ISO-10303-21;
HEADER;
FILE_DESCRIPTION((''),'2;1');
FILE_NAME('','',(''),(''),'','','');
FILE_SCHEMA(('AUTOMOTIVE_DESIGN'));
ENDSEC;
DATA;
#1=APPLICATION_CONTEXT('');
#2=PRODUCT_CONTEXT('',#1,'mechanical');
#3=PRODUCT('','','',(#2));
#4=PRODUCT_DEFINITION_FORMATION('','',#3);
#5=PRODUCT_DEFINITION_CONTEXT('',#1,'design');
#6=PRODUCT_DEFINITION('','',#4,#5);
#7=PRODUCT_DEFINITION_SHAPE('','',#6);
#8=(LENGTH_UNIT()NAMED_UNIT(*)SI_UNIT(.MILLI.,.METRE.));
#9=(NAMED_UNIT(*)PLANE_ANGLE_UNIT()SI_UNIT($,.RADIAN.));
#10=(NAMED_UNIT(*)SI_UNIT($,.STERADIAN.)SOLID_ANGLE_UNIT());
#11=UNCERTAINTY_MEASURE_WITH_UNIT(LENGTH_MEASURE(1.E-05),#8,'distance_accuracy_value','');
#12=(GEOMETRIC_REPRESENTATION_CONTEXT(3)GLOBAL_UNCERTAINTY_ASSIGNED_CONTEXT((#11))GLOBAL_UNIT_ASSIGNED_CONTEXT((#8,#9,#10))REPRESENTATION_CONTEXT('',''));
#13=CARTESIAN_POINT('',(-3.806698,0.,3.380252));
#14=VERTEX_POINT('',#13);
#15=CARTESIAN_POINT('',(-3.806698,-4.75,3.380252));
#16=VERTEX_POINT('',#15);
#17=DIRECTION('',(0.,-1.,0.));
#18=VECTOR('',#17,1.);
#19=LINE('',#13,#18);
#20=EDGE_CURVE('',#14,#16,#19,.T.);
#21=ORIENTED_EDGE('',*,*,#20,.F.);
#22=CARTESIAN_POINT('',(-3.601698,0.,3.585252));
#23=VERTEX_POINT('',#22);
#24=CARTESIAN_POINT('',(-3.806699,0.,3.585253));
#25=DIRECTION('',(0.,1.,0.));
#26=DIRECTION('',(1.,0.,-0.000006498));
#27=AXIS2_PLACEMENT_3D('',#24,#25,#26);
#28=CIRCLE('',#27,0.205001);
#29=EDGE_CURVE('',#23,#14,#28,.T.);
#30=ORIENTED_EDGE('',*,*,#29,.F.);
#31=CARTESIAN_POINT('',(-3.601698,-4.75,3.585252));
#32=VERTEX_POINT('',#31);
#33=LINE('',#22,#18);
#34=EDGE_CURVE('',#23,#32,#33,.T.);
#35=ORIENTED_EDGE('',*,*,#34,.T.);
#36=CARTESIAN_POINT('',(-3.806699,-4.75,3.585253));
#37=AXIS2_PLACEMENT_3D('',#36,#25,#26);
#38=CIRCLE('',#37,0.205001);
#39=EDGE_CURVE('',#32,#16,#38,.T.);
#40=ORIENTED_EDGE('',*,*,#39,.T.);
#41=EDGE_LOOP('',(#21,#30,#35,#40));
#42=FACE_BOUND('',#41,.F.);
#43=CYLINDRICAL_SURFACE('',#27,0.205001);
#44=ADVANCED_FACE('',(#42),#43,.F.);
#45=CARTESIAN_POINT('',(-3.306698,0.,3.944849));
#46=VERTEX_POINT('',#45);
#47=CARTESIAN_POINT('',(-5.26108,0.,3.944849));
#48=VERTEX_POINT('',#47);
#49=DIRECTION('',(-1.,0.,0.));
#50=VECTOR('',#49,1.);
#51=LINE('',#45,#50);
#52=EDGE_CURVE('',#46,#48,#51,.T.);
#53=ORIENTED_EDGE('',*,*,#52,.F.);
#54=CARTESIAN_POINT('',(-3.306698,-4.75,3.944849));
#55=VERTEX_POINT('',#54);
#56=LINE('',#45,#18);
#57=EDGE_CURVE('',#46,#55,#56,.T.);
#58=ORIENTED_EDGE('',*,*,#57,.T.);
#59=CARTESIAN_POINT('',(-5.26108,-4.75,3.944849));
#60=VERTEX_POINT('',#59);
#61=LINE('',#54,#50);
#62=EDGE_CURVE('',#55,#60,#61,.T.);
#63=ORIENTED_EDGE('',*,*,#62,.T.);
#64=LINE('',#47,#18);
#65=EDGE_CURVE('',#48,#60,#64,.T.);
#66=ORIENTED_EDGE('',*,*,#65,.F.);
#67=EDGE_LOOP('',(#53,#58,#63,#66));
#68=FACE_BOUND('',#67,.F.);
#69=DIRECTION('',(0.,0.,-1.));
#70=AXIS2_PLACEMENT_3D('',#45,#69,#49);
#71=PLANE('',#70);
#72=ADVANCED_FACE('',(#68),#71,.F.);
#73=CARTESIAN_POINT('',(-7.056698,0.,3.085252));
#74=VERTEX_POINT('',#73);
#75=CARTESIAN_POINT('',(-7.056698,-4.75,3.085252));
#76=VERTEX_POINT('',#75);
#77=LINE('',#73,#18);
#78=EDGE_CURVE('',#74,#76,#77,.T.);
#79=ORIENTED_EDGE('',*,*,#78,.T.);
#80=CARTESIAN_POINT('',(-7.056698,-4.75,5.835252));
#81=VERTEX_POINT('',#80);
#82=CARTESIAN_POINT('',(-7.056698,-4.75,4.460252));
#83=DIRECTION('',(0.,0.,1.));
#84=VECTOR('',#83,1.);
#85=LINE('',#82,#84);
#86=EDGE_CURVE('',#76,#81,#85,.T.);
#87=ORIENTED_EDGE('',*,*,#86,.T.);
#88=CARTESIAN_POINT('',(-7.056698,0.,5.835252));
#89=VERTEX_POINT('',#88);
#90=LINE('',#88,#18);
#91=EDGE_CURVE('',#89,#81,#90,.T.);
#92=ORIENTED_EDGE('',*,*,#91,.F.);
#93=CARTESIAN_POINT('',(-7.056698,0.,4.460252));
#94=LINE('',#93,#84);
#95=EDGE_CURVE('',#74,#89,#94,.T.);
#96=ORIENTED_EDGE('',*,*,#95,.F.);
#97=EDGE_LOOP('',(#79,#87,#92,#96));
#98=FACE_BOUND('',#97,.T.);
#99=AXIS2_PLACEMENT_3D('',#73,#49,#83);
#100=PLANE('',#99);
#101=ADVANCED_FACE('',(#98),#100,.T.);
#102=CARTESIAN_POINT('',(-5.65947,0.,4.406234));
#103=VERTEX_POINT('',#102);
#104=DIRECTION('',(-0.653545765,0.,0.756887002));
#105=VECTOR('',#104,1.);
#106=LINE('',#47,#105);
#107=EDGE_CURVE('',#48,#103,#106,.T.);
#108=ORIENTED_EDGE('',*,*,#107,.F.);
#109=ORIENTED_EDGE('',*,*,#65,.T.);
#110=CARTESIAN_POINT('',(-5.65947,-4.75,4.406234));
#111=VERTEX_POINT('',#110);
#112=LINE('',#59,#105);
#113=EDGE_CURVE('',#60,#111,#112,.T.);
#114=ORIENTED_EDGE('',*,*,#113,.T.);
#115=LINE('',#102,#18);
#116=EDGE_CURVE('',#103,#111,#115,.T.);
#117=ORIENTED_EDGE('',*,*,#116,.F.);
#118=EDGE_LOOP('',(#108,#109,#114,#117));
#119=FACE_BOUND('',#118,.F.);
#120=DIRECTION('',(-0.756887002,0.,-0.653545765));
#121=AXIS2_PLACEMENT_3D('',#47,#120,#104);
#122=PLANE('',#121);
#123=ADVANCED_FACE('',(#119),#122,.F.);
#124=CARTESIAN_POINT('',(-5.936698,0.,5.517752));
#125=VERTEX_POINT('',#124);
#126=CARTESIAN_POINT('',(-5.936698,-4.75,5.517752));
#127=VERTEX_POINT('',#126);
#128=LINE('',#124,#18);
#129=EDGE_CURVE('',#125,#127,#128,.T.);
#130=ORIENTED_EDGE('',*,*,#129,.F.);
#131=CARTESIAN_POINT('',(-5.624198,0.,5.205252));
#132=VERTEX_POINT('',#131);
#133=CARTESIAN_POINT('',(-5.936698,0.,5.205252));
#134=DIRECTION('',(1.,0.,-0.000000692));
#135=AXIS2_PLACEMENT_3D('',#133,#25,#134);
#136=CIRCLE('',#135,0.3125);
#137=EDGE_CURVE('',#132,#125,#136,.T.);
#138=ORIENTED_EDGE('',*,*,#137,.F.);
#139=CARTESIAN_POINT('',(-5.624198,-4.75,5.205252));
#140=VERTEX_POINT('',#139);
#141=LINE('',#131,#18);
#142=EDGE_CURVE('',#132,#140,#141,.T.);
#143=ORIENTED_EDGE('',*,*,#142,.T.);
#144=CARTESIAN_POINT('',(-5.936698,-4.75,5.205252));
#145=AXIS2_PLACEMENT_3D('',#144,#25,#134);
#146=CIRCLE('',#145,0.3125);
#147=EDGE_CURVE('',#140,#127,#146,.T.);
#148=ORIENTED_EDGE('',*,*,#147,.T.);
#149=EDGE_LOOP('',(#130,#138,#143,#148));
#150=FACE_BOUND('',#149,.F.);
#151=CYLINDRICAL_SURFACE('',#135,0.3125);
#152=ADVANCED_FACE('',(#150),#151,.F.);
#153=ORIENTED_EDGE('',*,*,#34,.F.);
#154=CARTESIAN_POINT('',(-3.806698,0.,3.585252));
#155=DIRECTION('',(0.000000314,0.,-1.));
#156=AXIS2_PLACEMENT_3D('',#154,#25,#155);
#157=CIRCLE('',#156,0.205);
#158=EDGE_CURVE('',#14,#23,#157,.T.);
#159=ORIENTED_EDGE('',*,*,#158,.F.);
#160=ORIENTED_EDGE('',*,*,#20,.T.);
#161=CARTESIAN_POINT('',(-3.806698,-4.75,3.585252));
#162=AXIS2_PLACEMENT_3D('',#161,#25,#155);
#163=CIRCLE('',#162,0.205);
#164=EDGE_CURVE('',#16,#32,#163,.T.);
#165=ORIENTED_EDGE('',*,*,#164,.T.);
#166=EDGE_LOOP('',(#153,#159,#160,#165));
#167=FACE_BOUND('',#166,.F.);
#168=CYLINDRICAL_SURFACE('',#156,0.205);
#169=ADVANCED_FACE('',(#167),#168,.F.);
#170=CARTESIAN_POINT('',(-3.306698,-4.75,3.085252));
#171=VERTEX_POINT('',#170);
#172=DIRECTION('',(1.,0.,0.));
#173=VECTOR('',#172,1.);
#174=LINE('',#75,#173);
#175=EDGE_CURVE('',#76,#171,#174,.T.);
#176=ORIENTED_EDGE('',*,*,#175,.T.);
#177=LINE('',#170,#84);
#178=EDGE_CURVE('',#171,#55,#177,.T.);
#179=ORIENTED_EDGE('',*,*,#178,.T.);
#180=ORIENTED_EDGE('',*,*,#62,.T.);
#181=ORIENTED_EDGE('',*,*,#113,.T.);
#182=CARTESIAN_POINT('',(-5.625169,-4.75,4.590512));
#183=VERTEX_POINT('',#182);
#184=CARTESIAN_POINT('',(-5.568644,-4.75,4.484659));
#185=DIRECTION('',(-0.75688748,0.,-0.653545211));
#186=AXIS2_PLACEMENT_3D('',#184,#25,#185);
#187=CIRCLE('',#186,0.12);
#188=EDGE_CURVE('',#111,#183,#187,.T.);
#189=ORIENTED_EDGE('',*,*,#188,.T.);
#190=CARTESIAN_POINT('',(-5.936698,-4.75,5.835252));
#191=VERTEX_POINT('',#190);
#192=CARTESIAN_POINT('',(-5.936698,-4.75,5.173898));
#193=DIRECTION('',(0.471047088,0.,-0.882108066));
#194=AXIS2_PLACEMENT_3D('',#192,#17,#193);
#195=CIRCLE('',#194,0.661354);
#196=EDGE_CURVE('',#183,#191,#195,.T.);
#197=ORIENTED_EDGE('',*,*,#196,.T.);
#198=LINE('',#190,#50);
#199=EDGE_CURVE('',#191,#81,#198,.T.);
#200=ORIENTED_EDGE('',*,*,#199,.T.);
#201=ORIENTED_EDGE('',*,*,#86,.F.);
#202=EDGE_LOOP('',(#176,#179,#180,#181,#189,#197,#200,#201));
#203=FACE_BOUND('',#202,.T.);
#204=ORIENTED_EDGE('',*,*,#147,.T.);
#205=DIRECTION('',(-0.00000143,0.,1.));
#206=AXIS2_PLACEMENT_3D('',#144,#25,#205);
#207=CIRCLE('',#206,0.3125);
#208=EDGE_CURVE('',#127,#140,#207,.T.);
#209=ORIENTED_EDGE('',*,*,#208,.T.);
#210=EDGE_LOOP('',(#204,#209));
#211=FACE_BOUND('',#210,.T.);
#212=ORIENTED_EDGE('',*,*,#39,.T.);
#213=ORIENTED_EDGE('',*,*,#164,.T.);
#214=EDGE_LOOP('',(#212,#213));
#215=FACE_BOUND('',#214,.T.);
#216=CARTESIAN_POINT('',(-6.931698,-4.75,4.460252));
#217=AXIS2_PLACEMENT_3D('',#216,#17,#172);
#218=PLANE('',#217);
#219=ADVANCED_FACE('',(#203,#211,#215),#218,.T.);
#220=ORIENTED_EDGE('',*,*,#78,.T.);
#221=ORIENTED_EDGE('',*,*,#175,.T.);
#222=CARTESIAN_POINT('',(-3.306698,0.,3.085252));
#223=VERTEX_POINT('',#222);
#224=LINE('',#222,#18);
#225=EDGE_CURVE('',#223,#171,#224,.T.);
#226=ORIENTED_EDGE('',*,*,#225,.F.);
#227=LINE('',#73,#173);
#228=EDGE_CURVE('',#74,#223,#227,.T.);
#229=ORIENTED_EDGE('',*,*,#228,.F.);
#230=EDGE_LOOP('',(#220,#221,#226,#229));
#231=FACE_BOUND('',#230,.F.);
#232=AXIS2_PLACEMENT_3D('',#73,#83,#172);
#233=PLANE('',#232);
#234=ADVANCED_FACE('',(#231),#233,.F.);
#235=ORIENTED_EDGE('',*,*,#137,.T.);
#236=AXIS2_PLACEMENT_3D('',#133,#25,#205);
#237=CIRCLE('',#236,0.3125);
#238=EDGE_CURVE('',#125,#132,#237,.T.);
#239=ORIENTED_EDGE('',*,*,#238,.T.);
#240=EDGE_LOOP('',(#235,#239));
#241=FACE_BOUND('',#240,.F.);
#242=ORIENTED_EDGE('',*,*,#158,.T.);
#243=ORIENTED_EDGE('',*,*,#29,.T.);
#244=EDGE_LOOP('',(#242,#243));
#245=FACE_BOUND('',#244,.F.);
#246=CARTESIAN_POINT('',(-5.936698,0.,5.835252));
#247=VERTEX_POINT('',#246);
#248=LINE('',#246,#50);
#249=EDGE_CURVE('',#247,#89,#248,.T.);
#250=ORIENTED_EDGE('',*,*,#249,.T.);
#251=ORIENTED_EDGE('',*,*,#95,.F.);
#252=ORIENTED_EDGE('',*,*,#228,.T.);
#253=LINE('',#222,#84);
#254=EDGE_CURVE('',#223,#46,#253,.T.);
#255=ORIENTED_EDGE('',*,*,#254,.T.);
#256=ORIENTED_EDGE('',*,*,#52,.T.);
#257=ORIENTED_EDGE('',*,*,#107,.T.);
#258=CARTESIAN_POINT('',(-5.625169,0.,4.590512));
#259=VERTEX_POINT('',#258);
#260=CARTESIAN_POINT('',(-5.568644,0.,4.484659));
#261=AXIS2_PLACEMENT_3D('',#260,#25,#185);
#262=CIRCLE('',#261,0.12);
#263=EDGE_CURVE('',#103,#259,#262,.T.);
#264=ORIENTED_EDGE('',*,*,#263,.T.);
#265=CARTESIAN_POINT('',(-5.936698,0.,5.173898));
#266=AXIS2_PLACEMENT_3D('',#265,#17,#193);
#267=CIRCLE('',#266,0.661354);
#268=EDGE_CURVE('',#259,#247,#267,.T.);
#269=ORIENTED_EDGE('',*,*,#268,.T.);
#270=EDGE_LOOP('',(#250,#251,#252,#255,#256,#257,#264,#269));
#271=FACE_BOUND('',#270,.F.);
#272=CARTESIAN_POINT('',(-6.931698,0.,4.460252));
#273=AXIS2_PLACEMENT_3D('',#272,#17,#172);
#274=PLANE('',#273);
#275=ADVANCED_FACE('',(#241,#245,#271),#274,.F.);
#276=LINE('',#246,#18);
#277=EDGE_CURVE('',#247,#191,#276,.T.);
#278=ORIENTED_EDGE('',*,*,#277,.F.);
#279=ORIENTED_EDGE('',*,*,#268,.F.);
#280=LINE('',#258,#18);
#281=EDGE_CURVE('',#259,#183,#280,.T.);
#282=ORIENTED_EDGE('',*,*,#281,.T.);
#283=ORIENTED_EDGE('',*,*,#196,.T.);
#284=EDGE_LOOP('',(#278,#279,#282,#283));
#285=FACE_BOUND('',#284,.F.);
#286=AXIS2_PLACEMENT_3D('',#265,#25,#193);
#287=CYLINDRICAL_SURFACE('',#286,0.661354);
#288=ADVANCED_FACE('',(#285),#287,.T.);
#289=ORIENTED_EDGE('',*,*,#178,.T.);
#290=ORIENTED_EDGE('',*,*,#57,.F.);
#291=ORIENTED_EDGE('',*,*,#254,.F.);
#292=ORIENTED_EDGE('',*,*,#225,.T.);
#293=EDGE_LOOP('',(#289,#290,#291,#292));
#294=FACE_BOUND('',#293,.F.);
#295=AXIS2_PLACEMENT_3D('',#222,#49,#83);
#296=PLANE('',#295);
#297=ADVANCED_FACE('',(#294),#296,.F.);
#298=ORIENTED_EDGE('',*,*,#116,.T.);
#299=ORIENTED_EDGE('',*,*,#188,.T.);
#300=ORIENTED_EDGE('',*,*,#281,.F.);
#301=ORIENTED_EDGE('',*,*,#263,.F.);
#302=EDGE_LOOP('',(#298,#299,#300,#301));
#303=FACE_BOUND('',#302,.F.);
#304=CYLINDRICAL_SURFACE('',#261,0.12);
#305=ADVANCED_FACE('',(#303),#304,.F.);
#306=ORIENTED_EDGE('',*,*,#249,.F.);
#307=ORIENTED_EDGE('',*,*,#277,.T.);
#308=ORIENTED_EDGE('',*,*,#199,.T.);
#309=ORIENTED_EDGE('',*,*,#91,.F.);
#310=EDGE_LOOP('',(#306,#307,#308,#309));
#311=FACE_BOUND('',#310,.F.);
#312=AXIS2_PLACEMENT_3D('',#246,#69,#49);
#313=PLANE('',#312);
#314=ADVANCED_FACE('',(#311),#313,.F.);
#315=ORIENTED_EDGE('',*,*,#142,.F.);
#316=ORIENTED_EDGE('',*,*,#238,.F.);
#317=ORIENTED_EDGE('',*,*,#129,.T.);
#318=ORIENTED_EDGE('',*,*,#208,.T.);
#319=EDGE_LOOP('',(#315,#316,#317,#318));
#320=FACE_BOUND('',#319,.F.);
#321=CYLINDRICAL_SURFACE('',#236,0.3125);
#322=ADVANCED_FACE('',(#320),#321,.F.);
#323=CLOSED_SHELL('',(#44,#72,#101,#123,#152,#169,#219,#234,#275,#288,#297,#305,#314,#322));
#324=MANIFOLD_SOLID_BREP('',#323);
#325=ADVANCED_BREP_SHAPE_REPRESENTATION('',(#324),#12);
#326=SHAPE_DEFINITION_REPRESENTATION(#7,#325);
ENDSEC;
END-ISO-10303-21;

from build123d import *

# Parameters (mm, degrees)
F0_W     = 0.25
F0_H     = 2.75
F1_DEPTH = 4.75


with BuildPart() as f1:
    # F0 (on Front) → F1 (new body)
    with BuildSketch(Plane.XZ):
        with Locations((-6.931698, 4.460252)):
            Rectangle(F0_W, F0_H)
        with BuildLine():
            Line((-5.936698, 5.835252), (-6.806698, 5.835252))
            Line((-6.806698, 5.835252), (-6.806698, 3.085252))
            Line((-6.806698, 3.085252), (-4.306698, 3.085252))
            Line((-4.306698, 3.085252), (-3.806698, 3.085252))
            Line((-3.806698, 3.085252), (-3.806698, 3.380252))
            ThreePointArc((-3.806698, 3.380252), (-3.951655, 3.730209), (-3.601698, 3.585252))
            Line((-3.601698, 3.585252), (-3.306698, 3.585252))
            Line((-3.306698, 3.585252), (-3.306698, 3.944849))
            Line((-3.306698, 3.944849), (-5.26108, 3.944849))
            Line((-5.26108, 3.944849), (-5.65947, 4.406234))
            ThreePointArc((-5.65947, 4.406234), (-5.686617, 4.506619), (-5.625169, 4.590512))
            ThreePointArc((-5.625169, 4.590512), (-5.295132, 5.334467), (-5.936698, 5.835252))
        make_face()
        with BuildLine():
            ThreePointArc((-5.624198, 5.205252), (-6.157669, 4.984282), (-5.936698, 5.517752))
            ThreePointArc((-5.936698, 5.517752), (-5.715727, 5.426223), (-5.624198, 5.205252))
        make_face(mode=Mode.SUBTRACT)
        with BuildLine():
            Line((-3.806698, 3.380252), (-3.806698, 3.085252))
            Line((-3.806698, 3.085252), (-3.306698, 3.085252))
            Line((-3.306698, 3.085252), (-3.306698, 3.585252))
            Line((-3.306698, 3.585252), (-3.601698, 3.585252))
            ThreePointArc((-3.601698, 3.585252), (-3.661741, 3.440296), (-3.806698, 3.380252))
        make_face()
    extrude(amount=F1_DEPTH)


solid = f1.part
